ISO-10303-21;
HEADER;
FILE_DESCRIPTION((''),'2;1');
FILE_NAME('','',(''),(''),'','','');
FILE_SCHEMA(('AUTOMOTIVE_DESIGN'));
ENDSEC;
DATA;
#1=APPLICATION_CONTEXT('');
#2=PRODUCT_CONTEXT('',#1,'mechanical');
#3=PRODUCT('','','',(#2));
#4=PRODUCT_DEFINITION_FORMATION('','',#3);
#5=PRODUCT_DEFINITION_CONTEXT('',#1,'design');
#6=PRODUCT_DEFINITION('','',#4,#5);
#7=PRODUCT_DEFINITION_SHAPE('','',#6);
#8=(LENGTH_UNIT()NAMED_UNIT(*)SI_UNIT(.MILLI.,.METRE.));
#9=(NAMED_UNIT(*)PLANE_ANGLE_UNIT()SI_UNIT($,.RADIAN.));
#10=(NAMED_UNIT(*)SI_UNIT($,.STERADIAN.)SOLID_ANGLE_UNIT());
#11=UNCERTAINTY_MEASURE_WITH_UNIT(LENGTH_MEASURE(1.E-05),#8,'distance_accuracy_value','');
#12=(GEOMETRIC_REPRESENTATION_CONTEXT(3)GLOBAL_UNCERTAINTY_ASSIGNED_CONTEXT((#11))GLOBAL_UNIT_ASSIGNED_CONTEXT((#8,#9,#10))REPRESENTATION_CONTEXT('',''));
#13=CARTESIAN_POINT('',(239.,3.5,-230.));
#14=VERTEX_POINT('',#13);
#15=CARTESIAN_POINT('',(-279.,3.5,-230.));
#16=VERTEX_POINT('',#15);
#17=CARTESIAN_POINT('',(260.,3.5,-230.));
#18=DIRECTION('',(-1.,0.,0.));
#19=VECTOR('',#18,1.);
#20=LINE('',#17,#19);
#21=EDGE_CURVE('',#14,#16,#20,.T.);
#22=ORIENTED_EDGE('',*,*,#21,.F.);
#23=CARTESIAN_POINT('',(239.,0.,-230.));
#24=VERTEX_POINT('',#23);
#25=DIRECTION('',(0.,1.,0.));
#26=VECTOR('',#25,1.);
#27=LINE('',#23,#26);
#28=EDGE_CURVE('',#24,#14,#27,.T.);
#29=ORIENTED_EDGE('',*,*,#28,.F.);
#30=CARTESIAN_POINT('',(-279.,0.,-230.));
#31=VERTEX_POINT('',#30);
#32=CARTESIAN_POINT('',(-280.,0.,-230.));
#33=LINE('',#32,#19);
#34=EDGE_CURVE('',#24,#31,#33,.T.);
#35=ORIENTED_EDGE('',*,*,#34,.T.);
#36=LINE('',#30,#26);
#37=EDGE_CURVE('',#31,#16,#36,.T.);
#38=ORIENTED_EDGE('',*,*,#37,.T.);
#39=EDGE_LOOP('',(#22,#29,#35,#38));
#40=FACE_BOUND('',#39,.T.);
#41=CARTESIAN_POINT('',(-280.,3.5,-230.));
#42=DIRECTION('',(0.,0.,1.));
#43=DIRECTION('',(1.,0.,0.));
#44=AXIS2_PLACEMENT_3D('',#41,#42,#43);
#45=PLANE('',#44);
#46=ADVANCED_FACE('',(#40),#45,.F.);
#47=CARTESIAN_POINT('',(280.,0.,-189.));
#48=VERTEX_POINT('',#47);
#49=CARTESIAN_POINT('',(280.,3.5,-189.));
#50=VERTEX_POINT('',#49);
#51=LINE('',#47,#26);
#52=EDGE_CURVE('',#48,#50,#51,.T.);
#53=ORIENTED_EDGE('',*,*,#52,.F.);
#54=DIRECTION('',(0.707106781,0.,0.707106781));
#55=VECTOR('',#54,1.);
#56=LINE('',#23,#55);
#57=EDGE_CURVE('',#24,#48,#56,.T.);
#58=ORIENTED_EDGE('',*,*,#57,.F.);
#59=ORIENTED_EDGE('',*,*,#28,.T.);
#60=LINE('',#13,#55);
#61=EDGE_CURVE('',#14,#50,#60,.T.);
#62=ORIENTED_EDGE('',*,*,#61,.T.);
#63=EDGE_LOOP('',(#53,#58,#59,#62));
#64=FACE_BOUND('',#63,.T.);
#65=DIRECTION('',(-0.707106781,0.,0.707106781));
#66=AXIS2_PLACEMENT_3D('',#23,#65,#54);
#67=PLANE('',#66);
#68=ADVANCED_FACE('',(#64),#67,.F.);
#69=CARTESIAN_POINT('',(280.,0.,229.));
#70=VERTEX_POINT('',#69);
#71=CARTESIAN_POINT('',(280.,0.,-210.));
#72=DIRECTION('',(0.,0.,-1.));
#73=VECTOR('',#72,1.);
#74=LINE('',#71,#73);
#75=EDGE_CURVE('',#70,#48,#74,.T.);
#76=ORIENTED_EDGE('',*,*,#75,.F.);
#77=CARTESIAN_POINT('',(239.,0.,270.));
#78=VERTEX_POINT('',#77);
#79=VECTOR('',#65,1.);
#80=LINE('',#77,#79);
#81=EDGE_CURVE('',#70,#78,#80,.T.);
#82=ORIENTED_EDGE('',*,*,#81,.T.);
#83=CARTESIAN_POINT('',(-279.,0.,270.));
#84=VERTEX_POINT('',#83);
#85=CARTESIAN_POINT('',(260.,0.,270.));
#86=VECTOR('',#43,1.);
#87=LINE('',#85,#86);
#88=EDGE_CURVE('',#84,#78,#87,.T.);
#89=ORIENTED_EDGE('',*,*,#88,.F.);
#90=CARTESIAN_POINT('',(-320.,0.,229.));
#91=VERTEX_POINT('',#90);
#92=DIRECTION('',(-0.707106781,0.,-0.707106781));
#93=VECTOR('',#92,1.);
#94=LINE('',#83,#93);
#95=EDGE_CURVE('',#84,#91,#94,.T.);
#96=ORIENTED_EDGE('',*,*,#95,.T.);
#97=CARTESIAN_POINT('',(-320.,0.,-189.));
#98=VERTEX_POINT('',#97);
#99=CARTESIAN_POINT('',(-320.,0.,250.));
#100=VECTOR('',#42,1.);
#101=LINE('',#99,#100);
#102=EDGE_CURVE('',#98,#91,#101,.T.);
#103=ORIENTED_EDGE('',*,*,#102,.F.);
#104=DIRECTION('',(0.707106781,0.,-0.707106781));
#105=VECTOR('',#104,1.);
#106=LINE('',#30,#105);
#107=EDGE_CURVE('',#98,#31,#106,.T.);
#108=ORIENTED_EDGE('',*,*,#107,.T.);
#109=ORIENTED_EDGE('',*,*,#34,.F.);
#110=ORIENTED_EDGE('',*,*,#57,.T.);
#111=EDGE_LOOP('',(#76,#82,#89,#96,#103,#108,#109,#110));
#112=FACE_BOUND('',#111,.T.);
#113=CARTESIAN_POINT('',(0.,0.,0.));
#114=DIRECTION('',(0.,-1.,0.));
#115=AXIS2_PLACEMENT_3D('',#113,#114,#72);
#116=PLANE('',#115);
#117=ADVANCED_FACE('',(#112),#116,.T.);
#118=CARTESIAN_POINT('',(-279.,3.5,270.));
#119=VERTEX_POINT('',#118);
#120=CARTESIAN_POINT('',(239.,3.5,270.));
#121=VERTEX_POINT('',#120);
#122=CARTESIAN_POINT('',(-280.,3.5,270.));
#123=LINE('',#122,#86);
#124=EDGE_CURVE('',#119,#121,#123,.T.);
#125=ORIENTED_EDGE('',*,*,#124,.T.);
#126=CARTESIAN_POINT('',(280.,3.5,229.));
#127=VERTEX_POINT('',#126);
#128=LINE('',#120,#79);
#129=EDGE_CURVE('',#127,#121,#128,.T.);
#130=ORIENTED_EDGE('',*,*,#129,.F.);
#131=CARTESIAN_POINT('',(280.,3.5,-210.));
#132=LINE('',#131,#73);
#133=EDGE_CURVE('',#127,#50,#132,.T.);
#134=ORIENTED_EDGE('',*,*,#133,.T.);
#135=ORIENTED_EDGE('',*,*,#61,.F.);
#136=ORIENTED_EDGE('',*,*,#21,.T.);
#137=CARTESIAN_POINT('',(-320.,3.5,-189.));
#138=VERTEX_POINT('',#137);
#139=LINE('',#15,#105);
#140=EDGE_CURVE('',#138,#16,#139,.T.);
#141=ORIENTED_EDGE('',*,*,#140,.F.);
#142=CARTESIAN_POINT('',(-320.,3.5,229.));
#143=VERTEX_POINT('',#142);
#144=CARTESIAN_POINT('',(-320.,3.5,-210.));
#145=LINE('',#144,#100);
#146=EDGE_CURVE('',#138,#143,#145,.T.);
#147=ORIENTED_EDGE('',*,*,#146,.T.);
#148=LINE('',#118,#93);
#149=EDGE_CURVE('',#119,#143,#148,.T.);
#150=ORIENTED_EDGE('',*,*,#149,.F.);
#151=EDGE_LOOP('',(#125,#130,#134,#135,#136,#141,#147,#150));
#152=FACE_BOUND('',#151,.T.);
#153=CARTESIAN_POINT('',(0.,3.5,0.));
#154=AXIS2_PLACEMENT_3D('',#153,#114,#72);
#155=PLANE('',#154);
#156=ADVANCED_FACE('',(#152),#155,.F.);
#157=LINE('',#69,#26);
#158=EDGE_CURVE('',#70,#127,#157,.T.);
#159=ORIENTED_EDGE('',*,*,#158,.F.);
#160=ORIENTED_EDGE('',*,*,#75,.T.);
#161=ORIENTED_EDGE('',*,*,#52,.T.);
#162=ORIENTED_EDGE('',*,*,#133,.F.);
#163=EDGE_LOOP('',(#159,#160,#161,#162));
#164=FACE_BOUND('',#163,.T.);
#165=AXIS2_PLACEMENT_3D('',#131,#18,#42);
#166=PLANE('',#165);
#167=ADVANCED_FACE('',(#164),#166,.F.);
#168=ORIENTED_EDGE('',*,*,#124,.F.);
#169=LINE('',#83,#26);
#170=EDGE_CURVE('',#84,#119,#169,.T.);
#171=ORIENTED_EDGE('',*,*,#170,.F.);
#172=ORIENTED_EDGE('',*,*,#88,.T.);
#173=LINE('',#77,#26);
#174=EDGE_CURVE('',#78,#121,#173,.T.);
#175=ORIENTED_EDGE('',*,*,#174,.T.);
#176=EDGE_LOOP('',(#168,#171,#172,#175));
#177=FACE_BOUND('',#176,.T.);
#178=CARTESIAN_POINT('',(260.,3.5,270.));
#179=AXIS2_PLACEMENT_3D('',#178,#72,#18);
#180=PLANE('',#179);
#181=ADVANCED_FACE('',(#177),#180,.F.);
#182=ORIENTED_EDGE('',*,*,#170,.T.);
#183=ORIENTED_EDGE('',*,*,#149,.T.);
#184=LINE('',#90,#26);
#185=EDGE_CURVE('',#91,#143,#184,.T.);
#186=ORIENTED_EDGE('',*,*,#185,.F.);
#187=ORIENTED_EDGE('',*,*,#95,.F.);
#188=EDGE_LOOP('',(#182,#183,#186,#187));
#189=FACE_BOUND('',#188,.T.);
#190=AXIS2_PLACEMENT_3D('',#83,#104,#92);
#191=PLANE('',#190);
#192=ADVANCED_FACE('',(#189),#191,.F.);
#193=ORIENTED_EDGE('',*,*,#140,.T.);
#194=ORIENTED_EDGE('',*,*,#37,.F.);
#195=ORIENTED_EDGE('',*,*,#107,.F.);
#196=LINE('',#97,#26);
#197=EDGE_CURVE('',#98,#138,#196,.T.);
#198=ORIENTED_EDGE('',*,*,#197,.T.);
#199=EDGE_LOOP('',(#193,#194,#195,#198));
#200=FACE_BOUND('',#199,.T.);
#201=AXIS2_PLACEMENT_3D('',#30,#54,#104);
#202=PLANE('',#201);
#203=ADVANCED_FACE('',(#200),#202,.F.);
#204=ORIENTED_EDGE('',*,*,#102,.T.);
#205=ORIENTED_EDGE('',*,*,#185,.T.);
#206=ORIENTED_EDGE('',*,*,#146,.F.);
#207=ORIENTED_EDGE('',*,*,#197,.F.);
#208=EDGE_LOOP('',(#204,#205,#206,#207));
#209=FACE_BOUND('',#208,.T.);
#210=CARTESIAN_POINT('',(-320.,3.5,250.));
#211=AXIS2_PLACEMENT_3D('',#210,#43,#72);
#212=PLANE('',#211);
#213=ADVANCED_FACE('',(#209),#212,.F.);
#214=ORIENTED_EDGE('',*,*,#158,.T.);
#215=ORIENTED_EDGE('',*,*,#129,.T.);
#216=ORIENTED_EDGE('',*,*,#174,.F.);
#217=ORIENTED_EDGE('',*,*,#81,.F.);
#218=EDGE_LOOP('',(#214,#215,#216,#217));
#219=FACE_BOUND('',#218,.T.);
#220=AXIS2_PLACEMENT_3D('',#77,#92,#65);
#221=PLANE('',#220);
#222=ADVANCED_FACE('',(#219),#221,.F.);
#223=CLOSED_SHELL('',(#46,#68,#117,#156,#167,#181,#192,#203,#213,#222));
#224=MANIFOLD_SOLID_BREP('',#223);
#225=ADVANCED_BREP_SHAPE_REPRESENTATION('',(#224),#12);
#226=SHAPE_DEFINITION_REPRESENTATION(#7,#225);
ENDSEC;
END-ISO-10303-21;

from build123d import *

# Parameters (mm, degrees)
BOSS_EXTRUDE1_DEPTH = 3.5
CUT_EXTRUDE1_DEPTH  = 4.5


with BuildPart() as part:
    # Sketch1 → Boss-Extrude1 (new body)
    with BuildSketch(Plane(origin=(0, 0, 0), x_dir=(1, 0, 0), z_dir=(0, 1, 0))):
        Polygon((-280, 230), (260, 230), (280, 230), (280, 210), (280, -250), (280, -270), (260, -270), (-280, -270), (-320, -270), (-320, -250), (-320, 210), (-320, 230), align=None)
    extrude(amount=BOSS_EXTRUDE1_DEPTH)

    # Sketch2 → Cut-Extrude1 (cut, through all)
    with BuildSketch(Plane(origin=(0, 3.5, 0), x_dir=(1, 0, 0), z_dir=(0, 1, 0))):
        Polygon((-320, -229), (-320, -270), (-279, -270), align=None)
        Polygon((-320, 230), (-279, 230), (-320, 189), align=None)
        Polygon((280, -270), (239, -270), (280, -229), align=None)
        Polygon((280, 189), (280, 230), (239, 230), align=None)
    extrude(amount=-CUT_EXTRUDE1_DEPTH, mode=Mode.SUBTRACT)


solid = part.part
